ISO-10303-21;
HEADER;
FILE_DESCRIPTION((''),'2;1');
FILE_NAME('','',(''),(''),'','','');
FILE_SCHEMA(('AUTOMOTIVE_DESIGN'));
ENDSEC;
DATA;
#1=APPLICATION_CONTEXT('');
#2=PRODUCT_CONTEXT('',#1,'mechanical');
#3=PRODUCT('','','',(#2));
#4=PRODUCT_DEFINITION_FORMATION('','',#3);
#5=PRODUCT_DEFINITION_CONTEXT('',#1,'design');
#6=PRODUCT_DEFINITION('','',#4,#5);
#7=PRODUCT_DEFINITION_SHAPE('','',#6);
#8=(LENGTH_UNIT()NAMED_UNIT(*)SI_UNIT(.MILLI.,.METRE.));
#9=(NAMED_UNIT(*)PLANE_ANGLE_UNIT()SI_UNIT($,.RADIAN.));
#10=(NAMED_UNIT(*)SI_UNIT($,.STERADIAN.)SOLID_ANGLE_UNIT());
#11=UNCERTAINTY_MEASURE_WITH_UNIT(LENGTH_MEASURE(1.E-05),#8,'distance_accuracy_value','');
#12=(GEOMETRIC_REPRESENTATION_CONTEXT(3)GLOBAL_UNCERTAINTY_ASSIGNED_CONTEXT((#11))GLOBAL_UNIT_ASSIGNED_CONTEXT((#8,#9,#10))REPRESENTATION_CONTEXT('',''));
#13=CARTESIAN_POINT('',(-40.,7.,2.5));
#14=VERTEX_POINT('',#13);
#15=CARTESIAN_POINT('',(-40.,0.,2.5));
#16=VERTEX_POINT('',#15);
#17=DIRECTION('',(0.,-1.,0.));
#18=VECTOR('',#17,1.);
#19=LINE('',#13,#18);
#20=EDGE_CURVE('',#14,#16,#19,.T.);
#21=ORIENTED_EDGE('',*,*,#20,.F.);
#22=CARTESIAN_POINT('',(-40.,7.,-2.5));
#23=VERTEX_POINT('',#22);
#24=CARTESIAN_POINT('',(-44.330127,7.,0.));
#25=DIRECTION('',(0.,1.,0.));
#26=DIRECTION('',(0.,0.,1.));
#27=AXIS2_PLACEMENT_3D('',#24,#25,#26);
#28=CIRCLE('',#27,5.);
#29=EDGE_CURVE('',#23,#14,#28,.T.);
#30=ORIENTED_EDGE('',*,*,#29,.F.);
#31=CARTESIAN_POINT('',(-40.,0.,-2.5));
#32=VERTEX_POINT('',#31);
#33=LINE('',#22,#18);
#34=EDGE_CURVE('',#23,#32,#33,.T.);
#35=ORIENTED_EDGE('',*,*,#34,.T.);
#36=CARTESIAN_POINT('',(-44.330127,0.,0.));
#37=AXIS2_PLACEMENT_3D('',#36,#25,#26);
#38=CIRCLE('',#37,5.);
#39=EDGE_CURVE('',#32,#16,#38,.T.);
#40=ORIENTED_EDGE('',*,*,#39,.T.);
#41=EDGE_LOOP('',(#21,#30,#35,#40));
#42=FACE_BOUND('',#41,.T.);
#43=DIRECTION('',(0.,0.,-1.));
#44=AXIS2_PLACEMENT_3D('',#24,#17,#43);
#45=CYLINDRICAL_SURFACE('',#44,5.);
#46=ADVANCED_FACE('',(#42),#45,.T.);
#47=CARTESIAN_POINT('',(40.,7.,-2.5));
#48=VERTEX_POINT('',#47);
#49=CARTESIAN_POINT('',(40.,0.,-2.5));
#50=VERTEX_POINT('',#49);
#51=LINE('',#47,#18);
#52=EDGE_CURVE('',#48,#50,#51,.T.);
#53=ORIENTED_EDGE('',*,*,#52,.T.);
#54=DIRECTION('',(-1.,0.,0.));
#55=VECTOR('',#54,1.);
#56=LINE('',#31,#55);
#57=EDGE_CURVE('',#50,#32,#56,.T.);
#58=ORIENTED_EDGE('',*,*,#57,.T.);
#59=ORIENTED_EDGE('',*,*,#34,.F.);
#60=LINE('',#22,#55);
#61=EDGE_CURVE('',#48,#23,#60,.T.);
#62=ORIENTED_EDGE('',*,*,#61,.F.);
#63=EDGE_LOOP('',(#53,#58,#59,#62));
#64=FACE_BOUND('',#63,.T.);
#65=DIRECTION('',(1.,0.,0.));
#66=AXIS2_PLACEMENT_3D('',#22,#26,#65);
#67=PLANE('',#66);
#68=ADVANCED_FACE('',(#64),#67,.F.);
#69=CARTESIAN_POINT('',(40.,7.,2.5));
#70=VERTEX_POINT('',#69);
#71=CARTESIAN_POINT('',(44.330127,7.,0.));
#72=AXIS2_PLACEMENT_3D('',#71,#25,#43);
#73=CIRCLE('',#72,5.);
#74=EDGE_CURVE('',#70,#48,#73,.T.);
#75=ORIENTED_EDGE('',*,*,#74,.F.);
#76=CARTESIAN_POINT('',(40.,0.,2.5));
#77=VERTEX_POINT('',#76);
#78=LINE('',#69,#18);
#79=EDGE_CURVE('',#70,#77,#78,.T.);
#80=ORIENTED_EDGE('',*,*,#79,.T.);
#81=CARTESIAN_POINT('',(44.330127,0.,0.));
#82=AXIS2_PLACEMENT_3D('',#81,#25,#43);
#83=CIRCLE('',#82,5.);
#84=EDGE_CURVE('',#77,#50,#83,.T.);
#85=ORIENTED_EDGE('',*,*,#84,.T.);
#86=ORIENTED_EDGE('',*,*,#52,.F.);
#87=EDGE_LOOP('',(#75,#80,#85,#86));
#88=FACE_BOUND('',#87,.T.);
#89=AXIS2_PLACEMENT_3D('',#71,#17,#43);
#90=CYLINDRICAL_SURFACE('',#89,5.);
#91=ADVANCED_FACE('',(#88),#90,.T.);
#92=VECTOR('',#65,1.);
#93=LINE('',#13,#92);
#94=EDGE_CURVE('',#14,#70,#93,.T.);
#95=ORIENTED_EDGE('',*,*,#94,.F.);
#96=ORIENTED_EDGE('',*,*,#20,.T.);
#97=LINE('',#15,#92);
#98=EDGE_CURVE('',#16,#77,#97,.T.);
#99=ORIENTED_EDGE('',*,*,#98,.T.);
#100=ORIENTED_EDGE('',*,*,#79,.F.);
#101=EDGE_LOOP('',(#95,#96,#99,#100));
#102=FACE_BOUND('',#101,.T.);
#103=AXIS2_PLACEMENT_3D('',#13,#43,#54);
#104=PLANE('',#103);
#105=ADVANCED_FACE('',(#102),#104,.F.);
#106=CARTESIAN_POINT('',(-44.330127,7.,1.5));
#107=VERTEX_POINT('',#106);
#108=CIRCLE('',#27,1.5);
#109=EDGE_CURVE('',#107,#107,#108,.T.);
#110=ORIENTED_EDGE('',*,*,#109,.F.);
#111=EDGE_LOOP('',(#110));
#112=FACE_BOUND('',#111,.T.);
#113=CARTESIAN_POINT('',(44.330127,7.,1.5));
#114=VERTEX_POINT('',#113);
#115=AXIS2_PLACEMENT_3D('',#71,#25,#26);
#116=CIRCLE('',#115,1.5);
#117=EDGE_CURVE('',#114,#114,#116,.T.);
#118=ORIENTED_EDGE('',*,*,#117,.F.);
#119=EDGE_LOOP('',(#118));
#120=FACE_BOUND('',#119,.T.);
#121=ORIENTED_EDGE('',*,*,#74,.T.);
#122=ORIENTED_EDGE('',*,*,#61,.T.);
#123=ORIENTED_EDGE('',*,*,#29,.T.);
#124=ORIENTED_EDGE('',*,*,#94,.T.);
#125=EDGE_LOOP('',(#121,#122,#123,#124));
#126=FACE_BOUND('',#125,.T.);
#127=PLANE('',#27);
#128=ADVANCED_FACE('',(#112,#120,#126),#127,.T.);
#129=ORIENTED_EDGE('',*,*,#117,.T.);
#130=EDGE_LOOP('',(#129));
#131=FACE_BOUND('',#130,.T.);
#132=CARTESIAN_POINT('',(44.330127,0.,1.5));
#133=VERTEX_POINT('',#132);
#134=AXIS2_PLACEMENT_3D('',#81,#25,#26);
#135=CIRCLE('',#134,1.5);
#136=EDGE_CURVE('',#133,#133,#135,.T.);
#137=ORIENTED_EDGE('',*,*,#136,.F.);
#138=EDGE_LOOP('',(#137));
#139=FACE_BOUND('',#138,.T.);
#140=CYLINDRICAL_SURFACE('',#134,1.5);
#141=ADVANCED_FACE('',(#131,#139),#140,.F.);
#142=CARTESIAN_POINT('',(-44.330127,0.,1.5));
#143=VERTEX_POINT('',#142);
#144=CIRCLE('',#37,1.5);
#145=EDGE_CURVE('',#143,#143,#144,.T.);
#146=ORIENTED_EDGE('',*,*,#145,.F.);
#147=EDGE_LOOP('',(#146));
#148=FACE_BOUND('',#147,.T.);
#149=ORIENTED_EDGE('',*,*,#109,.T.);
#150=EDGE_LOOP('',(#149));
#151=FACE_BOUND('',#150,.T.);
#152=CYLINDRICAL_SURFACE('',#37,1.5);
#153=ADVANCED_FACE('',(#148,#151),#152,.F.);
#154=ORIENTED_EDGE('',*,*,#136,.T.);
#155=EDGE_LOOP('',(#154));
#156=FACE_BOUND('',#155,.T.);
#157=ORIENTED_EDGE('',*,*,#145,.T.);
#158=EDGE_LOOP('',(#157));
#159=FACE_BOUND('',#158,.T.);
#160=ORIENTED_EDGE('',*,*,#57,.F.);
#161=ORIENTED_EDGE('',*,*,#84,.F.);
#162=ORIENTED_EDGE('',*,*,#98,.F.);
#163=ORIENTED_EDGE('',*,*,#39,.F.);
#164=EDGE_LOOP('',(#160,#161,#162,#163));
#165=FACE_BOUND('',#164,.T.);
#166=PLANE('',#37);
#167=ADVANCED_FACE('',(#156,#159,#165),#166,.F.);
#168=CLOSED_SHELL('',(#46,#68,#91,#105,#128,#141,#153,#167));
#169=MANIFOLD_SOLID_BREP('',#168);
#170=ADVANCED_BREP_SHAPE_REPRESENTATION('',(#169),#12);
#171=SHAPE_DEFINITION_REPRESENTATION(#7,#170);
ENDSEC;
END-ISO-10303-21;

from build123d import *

# Parameters (mm, degrees)
BOSS_EXTRUDE1_DEPTH = 7
SKETCH2_R           = 1.5
CUT_EXTRUDE1_DEPTH  = 51.074558727


with BuildPart() as part:
    # Sketch1 → Boss-Extrude1 (new body)
    with BuildSketch(Plane(origin=(0, 0, 0), x_dir=(1, 0, 0), z_dir=(0, 1, 0))):
        with BuildLine():
            Line((-40, 2.5), (40, 2.5))
            ThreePointArc((40, 2.5), (49.330127019, 0), (40, -2.5))
            Line((40, -2.5), (-40, -2.5))
            ThreePointArc((-40, -2.5), (-49.330127019, 0), (-40, 2.5))
        make_face()
    extrude(amount=BOSS_EXTRUDE1_DEPTH)

    # Sketch2 → Cut-Extrude1 (cut, through all)
    with BuildSketch(Plane(origin=(0, 7, 0), x_dir=(1, 0, 0), z_dir=(0, 1, 0))):
        with Locations(Location((-44.330127019, 0, 0), (0, 0, 270))):
            Circle(SKETCH2_R)
        with Locations(Location((44.330127019, 0, 0), (0, 0, 270))):
            Circle(SKETCH2_R)
    extrude(amount=-CUT_EXTRUDE1_DEPTH, mode=Mode.SUBTRACT)


solid = part.part
